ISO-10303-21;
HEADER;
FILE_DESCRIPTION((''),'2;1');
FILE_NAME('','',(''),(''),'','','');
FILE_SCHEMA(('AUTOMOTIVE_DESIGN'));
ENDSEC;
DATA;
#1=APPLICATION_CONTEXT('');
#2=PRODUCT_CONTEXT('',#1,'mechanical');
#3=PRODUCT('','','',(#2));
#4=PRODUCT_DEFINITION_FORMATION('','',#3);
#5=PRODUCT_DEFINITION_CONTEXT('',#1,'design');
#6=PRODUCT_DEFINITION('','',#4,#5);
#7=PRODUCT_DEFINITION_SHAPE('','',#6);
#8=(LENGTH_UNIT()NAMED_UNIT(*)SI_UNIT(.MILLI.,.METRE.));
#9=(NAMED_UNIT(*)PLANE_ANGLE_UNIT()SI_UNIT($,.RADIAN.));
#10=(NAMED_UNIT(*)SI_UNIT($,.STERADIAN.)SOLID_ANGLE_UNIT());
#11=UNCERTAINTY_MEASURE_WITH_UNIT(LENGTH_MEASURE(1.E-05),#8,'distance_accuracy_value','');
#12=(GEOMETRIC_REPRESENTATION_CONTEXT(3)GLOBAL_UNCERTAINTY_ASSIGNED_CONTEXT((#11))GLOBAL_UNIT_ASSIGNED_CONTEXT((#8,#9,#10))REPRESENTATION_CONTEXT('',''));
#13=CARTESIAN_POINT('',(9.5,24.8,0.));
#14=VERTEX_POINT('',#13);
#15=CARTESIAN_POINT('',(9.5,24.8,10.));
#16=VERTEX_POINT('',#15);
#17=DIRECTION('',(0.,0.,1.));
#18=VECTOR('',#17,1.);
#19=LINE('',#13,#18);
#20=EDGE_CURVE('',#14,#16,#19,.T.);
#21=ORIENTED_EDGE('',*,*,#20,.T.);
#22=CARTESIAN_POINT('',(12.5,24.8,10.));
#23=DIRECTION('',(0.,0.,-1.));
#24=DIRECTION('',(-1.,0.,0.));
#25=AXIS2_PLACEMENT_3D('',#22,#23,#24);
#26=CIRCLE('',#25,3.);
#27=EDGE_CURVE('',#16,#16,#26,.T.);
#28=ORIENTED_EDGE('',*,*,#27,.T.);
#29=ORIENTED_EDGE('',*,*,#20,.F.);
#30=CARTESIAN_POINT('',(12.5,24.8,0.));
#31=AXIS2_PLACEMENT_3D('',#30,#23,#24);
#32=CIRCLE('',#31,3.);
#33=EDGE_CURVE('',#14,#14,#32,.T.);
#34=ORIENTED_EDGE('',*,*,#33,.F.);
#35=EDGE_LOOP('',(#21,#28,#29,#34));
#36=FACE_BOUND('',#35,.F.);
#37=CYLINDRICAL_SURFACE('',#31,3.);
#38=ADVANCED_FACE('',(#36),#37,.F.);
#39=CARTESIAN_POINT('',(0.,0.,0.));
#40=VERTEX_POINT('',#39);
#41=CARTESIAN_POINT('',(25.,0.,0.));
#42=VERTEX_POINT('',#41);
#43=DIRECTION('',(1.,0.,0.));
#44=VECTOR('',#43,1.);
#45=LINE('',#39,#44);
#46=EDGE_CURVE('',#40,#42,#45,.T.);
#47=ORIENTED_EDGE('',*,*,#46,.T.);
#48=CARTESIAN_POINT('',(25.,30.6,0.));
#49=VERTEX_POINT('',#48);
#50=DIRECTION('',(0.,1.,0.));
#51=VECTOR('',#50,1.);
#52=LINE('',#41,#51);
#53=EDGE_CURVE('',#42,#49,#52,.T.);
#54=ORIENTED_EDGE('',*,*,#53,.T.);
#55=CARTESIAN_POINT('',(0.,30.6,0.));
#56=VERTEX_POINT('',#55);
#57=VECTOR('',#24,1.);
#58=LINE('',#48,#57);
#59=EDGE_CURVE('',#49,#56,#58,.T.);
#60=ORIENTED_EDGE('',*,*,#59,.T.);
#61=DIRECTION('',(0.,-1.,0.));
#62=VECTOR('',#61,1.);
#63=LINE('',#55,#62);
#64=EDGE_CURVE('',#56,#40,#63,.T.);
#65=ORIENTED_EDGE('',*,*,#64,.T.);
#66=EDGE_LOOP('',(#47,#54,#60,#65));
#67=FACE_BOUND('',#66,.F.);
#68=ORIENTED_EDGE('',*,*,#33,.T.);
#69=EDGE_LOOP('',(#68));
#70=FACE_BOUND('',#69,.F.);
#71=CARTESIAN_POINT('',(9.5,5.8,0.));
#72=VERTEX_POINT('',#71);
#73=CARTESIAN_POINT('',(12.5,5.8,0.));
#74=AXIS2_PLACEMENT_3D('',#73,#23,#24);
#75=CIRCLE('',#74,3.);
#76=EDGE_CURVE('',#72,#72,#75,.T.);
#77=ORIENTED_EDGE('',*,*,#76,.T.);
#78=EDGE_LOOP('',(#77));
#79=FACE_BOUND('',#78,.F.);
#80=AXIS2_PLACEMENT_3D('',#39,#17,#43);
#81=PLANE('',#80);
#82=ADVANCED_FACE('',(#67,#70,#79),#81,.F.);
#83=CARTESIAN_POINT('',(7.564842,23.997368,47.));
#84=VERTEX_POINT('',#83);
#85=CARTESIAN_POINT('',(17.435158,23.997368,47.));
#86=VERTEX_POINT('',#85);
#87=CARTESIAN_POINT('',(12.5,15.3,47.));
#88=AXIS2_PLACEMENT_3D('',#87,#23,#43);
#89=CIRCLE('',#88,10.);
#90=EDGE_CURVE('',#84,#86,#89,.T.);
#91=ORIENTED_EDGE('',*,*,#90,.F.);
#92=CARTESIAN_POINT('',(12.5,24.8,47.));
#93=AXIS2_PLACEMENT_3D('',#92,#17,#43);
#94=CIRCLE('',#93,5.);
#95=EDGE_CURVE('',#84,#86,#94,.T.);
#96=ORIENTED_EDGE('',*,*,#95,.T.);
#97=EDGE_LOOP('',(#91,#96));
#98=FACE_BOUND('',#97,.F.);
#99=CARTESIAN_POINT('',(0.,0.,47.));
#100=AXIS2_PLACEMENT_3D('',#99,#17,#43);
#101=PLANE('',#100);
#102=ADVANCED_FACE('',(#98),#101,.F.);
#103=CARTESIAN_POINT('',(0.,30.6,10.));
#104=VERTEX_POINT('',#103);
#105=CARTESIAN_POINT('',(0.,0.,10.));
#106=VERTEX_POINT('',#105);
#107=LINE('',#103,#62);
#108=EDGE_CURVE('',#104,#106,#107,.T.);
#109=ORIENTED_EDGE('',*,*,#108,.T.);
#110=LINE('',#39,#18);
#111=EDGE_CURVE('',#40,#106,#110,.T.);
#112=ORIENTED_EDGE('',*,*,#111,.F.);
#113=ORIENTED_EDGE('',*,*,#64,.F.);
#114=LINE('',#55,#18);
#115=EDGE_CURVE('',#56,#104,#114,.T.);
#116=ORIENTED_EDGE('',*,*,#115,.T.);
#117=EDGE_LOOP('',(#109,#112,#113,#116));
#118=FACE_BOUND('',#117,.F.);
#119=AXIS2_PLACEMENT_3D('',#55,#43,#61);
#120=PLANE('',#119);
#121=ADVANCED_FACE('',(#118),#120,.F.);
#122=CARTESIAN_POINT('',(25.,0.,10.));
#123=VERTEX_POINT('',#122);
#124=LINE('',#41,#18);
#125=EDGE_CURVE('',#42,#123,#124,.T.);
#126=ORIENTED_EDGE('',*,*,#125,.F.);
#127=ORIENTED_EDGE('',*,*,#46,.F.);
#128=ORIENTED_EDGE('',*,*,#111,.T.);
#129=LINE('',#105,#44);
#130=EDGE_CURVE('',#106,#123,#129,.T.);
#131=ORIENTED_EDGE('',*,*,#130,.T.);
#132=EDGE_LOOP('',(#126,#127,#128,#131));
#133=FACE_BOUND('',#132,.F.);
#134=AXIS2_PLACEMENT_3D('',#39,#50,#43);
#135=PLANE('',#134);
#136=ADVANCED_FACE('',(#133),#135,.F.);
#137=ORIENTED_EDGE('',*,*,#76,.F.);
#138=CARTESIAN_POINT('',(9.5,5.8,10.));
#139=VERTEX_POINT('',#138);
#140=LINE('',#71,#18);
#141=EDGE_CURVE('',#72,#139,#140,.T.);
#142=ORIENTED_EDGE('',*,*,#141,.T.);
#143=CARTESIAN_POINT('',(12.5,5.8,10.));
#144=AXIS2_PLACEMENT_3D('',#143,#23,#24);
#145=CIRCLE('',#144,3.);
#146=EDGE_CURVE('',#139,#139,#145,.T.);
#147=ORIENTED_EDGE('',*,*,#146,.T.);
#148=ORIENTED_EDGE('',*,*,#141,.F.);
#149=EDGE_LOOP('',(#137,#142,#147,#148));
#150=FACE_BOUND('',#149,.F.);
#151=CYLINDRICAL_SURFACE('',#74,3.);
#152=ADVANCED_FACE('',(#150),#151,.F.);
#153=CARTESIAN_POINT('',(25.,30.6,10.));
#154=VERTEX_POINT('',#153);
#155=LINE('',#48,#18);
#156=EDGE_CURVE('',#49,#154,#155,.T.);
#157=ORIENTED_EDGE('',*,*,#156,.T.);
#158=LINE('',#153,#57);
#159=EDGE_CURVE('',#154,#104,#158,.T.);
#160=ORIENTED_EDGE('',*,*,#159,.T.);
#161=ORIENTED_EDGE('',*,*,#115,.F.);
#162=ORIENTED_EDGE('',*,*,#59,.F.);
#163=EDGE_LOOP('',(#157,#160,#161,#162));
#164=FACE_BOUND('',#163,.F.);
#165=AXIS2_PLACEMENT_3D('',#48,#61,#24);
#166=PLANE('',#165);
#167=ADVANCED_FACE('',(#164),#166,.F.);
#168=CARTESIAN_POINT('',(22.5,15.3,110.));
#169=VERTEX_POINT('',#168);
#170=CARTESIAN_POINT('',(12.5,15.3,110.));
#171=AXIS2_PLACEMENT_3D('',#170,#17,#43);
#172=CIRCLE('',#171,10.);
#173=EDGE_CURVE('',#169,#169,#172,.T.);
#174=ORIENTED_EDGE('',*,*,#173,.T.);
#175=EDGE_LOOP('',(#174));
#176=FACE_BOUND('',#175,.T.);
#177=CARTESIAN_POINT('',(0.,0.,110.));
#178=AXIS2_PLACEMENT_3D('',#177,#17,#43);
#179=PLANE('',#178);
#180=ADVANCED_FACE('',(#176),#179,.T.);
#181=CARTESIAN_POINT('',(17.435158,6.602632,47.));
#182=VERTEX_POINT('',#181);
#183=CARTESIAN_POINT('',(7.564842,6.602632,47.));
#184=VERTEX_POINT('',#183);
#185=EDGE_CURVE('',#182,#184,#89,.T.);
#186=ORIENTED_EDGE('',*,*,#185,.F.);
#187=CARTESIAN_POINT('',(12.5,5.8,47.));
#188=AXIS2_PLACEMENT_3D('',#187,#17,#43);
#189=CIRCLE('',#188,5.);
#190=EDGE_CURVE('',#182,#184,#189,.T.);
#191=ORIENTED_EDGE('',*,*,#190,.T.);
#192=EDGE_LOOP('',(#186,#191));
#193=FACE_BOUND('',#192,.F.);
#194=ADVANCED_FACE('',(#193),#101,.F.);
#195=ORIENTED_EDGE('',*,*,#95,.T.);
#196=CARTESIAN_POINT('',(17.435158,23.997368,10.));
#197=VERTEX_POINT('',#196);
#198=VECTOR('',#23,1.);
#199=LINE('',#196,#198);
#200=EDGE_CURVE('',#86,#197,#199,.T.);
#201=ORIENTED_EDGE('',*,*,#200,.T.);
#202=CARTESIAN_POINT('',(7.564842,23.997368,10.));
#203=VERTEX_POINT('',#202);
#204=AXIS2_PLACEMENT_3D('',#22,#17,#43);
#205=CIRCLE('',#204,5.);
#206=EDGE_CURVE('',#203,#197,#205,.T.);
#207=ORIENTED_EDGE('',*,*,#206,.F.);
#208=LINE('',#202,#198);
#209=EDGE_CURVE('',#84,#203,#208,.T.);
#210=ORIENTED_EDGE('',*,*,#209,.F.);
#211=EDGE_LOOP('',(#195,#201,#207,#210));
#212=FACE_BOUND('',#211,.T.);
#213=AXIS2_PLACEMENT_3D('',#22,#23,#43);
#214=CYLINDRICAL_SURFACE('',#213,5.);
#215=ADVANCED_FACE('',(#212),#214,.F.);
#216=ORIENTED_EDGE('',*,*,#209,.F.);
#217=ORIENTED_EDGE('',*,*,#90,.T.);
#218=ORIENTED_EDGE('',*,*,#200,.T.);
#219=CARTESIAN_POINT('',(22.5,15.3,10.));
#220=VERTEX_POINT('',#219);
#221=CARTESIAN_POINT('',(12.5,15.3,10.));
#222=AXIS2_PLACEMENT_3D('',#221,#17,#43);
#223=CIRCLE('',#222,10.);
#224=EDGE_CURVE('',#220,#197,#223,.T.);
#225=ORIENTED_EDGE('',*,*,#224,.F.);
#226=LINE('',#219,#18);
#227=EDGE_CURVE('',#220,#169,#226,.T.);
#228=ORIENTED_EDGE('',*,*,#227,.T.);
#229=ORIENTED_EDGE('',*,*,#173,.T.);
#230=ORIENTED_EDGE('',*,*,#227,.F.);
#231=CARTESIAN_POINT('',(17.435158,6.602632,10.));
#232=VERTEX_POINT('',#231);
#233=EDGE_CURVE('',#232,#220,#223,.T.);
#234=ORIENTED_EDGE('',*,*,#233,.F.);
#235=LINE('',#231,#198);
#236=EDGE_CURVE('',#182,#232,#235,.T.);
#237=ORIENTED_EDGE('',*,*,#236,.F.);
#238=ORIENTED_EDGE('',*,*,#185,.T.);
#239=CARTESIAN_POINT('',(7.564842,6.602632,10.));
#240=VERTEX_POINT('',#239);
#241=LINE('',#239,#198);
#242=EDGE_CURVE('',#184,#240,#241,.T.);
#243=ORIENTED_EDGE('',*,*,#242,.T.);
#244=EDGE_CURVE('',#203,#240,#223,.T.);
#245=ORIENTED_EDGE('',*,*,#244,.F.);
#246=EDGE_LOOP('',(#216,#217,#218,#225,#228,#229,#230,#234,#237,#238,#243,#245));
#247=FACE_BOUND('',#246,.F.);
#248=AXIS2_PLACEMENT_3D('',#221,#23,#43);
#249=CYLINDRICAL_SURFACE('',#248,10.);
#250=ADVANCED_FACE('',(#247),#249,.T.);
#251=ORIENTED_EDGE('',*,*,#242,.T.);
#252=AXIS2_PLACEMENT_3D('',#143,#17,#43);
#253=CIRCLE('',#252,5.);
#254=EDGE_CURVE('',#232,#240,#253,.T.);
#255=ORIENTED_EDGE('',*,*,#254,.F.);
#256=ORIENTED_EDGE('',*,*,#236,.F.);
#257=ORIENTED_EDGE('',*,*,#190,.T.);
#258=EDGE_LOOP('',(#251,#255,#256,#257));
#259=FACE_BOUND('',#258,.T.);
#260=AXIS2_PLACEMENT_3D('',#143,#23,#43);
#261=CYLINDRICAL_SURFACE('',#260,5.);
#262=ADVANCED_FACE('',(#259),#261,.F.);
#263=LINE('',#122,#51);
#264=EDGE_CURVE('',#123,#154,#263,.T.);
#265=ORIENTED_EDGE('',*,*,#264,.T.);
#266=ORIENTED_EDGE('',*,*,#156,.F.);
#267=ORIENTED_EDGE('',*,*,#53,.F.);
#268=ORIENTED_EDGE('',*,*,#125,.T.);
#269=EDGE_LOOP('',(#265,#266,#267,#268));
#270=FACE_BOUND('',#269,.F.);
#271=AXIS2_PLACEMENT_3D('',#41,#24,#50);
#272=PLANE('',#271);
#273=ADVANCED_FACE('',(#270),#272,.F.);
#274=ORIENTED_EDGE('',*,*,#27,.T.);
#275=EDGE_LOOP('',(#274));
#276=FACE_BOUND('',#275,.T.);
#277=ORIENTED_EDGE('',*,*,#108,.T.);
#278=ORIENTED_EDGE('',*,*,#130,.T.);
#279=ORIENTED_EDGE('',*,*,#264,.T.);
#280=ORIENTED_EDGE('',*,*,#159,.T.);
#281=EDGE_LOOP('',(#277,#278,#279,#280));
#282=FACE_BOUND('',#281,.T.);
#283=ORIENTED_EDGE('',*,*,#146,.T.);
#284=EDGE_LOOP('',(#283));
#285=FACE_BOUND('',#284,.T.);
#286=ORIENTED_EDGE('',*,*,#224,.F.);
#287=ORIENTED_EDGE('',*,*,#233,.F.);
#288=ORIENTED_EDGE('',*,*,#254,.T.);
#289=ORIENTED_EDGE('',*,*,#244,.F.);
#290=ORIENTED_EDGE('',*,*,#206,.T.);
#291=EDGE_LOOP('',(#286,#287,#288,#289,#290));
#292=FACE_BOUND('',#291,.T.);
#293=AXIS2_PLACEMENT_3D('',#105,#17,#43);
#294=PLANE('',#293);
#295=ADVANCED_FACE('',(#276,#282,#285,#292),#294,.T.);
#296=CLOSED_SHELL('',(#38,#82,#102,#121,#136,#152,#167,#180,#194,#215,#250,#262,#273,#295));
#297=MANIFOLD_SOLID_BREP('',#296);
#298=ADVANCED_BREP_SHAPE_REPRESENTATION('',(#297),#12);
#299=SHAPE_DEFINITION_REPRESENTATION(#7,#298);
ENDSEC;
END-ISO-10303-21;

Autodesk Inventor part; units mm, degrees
ref_plane "YZ Plane" through (0, 0, 0) normal (1, 0, 0) x (0, 1, 0)
ref_plane "XZ Plane" through (0, 0, 0) normal (0, 1, 0) x (-1, 0, 0)
ref_plane "XY Plane" through (0, 0, 0) normal (0, 0, 1) x (1, 0, 0)
sketch "Sketch1" plane through (0, 0, 0) normal (0, 0, 1) x (1, 0, 0)
  line L0 (0, 0) -> (25, 0)
  line L1 (25, 0) -> (25, 30.6)
  line L2 (25, 30.6) -> (0, 30.6)
  line L3 (0, 30.6) -> (0, 0)
  dimension "d0" = 25
  dimension "d1" = 30.6
extrude "Extrusion1" add sketch "Sketch1" along normal blind 10
sketch "Sketch2" plane through (0, 0, 10) normal (0, 0, 1) x (1, 0, 0)
  circle A0 centre (12.5, 15.3) radius 10
  line L0 (25, 0) -> (25, 30.6) projected
  line L1 (0, 0) -> (25, 0) projected
  dimension "d4" = 12.5
  dimension "d6" = 20
  dimension "d19" = 15.3
extrude "Extrusion2" add sketch "Sketch2" along normal blind 100
sketch "Sketch3" plane through (0, 0, 0) normal (0, 0, -1) x (-1, 0, 0)
  circle A0 centre (-12.5, 5.8) radius 3
  circle A1 centre (-12.5, 24.8) radius 3
  line L0 (0, 30.6) -> (0, 0) projected
  line L1 (0, 0) -> (-25, 0) projected
  point P0 (-12.5, 0)
  dimension "d9" = 6
  dimension "d10" = 6
  dimension "d11" = 12.5
  dimension "d12" = 12.5
  dimension "d13" = 19
  dimension "d14" = 5.8
extrude "Extrusion3" cut sketch "Sketch3" against normal blind 20
sketch "Sketch4" plane through (0, 0, 10) normal (0, 0, 1) x (1, 0, 0)
  arc A0 (9.5003, 5.7605) -> (15.4997, 5.7605) centre (12.5, 5.8) ccw projected
  circle A1 centre (12.5, 5.8) radius 5
  arc A2 (15.4997, 24.8395) -> (9.5003, 24.8395) centre (12.5, 24.8) ccw projected
  circle A3 centre (12.5, 24.8) radius 5
  point P0 (0, 0)
  dimension "d17" = 10
  dimension "d18" = 10
extrude "Extrusion4" cut sketch "Sketch4" along normal blind 37
properties part number "handle_vertical"
